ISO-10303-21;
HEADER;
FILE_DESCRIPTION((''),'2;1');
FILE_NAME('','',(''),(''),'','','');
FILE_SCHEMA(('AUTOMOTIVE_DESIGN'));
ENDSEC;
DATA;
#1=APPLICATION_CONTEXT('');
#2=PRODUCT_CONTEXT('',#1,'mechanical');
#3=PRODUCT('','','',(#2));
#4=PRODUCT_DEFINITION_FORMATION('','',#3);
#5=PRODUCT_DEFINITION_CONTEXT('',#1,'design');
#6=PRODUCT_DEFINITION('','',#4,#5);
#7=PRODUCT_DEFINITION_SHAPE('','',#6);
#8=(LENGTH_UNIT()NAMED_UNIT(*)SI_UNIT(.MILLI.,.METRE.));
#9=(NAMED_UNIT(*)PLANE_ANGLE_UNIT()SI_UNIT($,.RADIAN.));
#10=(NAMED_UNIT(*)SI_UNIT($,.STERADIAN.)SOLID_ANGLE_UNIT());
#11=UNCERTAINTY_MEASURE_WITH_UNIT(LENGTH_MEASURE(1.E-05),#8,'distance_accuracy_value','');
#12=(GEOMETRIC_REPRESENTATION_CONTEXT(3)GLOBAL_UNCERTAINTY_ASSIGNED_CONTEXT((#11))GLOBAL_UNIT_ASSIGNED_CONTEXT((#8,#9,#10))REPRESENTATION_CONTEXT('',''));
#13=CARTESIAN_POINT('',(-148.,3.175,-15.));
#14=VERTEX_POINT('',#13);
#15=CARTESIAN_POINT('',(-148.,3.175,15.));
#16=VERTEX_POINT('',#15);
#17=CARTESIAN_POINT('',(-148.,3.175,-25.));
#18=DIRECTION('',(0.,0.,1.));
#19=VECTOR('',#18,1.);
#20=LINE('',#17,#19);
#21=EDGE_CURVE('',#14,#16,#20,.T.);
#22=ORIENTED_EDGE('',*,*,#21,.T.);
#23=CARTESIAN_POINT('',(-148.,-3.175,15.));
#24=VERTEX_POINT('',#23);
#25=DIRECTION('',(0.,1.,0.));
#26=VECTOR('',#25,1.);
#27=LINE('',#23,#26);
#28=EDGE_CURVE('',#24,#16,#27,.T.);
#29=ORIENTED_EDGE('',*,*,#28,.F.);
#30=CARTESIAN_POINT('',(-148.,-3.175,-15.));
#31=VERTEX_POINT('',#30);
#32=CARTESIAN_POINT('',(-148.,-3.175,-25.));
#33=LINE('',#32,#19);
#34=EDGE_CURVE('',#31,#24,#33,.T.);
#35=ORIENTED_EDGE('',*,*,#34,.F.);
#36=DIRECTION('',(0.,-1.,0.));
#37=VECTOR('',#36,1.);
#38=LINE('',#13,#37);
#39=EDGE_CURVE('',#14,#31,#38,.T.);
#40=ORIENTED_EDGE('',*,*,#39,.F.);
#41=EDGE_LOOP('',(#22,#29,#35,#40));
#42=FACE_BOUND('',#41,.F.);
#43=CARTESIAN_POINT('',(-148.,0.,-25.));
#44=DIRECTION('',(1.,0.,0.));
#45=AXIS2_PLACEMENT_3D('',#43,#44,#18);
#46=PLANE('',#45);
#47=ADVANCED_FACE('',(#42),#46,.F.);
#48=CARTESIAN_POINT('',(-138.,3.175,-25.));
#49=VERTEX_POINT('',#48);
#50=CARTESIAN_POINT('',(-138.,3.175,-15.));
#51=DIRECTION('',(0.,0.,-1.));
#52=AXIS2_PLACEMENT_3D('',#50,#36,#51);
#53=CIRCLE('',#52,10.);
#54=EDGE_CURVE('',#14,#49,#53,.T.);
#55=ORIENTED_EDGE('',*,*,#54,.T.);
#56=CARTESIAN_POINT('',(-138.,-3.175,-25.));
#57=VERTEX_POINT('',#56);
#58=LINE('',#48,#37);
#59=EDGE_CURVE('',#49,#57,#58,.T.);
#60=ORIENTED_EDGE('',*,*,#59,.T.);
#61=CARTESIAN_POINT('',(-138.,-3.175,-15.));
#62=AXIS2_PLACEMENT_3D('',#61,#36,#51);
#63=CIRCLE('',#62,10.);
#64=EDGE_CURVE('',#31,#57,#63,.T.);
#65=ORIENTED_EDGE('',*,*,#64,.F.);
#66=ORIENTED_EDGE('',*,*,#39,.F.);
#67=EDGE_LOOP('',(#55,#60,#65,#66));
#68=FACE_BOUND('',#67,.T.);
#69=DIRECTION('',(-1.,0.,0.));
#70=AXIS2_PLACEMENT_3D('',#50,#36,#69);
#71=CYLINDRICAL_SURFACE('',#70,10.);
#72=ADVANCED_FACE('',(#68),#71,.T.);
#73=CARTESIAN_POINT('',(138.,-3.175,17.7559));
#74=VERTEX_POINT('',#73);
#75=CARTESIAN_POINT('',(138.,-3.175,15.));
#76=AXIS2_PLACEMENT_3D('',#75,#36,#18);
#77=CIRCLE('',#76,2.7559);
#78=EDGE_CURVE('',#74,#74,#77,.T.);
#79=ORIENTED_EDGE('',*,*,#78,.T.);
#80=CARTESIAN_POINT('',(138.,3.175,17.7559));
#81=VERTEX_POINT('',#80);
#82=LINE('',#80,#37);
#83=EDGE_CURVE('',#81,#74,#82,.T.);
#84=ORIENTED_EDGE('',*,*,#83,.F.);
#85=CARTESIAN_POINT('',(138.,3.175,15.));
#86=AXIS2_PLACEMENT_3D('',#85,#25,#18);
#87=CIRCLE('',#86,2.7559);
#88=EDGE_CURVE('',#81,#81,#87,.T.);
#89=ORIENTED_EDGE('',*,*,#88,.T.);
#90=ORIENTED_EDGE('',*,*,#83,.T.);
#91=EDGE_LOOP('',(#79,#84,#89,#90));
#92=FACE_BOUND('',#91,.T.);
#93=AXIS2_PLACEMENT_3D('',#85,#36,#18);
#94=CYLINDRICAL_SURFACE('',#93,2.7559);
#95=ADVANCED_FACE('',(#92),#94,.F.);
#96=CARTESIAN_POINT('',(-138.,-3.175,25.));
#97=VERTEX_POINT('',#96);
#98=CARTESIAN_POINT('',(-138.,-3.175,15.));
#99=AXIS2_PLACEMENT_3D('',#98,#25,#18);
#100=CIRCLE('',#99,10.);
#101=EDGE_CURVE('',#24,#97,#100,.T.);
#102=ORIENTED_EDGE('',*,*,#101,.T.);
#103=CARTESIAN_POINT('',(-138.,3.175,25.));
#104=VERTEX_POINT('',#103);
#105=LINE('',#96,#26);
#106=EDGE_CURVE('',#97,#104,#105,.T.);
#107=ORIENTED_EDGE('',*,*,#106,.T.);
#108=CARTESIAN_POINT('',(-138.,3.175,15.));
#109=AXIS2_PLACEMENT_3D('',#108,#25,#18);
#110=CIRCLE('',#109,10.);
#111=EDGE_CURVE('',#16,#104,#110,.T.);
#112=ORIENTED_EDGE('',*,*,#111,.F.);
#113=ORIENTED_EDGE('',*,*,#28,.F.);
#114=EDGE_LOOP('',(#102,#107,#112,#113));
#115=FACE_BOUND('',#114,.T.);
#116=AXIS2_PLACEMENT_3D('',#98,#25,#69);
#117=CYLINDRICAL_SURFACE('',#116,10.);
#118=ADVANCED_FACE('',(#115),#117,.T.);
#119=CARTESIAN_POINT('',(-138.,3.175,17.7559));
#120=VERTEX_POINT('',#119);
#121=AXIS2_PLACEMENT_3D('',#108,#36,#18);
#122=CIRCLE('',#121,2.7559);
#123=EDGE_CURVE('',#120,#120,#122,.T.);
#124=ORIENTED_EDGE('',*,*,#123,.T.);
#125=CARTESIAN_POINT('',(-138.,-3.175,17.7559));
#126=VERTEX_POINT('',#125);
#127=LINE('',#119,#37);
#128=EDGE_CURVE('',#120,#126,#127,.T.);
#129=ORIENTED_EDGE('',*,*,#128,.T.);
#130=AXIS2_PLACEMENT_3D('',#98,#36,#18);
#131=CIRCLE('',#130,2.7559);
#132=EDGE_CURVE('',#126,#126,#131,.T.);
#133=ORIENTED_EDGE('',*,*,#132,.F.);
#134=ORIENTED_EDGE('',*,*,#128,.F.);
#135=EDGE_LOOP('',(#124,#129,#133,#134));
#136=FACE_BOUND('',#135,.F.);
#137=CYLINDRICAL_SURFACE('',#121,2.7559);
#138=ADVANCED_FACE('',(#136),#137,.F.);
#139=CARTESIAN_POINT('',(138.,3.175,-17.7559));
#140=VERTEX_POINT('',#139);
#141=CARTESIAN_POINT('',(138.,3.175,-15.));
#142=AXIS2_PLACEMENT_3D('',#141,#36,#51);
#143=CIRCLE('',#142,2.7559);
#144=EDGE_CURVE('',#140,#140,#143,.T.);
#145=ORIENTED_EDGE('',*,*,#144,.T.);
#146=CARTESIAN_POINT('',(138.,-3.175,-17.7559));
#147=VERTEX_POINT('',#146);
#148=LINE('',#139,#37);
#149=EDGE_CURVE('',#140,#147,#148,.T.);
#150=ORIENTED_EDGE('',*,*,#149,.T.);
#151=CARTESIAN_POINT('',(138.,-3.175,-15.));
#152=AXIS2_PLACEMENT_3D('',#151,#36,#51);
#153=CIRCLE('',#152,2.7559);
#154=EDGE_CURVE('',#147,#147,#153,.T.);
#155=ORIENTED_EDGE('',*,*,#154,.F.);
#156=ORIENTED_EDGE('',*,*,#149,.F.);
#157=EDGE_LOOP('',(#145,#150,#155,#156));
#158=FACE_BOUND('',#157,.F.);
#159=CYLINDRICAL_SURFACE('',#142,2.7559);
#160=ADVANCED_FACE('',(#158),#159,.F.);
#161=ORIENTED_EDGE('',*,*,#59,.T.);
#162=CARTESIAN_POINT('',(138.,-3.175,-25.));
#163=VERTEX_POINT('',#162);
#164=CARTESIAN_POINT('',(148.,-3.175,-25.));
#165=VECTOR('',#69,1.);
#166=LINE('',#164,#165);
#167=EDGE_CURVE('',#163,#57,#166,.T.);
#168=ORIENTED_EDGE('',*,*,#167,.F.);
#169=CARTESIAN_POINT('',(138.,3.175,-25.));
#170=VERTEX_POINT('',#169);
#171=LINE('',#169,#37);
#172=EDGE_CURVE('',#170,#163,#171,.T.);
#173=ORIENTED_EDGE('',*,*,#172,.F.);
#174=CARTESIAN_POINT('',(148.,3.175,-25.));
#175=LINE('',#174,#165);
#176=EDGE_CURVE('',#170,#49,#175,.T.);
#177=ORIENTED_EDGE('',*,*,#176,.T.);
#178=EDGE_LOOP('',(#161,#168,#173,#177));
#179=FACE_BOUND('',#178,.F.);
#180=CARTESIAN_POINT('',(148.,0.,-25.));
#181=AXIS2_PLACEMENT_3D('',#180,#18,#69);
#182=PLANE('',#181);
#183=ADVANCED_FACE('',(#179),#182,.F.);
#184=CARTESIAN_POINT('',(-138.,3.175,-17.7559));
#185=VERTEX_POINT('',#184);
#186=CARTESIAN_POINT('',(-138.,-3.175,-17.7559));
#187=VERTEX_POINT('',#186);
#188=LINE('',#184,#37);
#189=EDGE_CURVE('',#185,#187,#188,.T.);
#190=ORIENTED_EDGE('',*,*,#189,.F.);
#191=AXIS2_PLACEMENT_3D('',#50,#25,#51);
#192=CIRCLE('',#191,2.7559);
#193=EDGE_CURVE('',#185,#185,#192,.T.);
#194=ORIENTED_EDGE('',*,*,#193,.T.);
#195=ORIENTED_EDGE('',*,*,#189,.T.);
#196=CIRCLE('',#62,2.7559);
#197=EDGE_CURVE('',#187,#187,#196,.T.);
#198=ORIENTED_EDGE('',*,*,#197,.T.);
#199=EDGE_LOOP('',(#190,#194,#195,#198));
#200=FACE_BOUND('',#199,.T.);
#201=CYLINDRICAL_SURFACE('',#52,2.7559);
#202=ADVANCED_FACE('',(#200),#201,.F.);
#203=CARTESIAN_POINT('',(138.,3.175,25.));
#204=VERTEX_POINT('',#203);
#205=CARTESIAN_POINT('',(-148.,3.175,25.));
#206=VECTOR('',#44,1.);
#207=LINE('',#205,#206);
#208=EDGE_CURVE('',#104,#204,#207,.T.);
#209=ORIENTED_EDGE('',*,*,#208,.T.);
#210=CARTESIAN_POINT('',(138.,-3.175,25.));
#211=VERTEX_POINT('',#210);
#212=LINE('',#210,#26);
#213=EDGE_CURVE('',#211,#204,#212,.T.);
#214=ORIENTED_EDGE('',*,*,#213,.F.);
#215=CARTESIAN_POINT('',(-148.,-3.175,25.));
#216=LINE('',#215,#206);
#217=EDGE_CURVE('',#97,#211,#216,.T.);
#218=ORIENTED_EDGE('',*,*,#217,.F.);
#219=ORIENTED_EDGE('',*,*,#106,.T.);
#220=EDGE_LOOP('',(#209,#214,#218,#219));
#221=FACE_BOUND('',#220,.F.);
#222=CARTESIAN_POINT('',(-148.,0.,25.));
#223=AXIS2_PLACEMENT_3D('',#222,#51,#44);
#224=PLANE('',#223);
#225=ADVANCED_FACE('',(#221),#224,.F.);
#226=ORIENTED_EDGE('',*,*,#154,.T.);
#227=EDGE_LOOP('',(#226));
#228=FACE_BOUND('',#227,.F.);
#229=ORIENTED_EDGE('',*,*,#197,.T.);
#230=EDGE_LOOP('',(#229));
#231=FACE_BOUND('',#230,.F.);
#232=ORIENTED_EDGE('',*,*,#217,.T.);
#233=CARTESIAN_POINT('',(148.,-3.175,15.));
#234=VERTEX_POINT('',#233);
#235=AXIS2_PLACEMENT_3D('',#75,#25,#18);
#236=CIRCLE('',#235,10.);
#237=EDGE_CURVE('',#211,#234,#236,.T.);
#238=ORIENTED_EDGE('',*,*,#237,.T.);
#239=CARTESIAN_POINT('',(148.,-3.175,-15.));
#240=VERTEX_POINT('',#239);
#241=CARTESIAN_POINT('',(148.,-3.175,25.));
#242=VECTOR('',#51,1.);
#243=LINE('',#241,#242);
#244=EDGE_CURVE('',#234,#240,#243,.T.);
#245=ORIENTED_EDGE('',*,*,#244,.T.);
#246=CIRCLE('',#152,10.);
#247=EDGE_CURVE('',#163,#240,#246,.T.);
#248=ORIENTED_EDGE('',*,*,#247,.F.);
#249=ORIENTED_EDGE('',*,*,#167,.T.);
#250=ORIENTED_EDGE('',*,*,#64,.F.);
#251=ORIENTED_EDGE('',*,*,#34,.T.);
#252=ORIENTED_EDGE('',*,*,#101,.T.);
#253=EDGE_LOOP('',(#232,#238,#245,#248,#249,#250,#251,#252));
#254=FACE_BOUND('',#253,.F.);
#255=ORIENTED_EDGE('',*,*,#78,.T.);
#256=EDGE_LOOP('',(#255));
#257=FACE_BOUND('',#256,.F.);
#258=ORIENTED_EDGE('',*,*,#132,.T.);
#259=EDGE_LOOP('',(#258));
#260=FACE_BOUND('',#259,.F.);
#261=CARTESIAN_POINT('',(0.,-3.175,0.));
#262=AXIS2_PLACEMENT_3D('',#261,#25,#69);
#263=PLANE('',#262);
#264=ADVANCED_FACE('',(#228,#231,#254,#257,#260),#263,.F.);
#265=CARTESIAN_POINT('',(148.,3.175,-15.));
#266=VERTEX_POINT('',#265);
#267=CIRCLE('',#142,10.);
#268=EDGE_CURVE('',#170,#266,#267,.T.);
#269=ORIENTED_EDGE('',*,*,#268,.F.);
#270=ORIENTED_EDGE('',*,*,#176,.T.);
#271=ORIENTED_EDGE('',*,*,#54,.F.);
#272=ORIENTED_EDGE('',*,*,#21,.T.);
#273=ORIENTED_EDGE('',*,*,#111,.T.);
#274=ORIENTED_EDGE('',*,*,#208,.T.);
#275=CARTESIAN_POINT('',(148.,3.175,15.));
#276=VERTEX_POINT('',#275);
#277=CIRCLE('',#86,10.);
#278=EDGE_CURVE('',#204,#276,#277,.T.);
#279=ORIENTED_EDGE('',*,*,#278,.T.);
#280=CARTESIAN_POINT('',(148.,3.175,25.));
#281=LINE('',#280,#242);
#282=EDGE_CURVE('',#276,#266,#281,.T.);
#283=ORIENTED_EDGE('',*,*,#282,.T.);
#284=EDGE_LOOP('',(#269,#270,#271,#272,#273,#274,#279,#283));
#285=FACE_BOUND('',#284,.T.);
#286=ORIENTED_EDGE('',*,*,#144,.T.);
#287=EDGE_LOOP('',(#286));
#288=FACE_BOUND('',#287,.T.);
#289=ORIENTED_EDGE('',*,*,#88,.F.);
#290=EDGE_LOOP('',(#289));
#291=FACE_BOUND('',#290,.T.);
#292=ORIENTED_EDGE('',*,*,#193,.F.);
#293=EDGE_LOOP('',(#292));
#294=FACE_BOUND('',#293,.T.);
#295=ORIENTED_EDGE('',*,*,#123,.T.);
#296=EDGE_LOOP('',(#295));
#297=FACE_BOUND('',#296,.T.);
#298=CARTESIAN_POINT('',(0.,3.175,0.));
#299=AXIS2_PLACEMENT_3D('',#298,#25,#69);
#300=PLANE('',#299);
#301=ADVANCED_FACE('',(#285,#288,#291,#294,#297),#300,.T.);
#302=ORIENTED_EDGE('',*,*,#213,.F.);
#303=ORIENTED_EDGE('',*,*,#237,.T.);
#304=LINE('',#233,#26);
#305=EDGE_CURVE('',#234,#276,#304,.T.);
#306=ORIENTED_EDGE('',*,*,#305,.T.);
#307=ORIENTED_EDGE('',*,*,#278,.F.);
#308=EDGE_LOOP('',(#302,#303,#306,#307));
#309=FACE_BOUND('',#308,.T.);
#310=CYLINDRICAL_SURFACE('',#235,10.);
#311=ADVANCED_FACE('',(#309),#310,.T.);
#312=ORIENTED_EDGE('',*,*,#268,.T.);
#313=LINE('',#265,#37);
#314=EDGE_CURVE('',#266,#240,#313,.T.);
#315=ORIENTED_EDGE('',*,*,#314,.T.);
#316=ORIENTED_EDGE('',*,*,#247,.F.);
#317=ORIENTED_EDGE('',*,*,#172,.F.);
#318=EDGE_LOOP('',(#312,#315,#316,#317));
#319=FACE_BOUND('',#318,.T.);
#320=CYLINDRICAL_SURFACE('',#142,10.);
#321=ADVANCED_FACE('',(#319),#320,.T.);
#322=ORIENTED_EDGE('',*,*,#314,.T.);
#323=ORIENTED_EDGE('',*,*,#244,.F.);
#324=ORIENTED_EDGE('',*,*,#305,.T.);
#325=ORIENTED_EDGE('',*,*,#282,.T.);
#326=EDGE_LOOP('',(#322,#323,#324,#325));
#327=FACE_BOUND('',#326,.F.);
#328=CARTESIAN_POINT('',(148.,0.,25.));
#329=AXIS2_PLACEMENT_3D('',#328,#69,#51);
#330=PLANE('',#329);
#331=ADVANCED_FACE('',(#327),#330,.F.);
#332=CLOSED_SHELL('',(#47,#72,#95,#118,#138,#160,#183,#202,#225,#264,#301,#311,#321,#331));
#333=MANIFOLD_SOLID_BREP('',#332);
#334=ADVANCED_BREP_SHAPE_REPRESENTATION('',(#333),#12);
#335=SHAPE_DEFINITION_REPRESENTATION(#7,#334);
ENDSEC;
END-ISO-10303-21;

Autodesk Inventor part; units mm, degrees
ref_plane "YZ Plane" through (0, 0, 0) normal (1, 0, 0) x (0, 1, 0)
ref_plane "XZ Plane" through (0, 0, 0) normal (0, 1, 0) x (-1, 0, 0)
ref_plane "XY Plane" through (0, 0, 0) normal (0, 0, 1) x (1, 0, 0)
sketch "Sketch1" plane through (0, 0, 0) normal (0, 1, 0) x (-1, 0, 0)
  line L0 (148, 25) -> (-148, 25)
  line L1 (-148, 25) -> (-148, -25)
  line L2 (-148, -25) -> (148, -25)
  line L3 (148, -25) -> (148, 25)
  line L4 (148, 25) -> (-148, -25) construction
  line L5 (-148, 25) -> (148, -25) construction
  point P0 (0, 0)
  dimension "d0" = 296
  dimension "d1" = 50
extrude "Extrusion1" add sketch "Sketch1" along normal mid plane 6.35
fillet "Fillet1" radius 10 4 edges at (-148, 0, 25) (-148, 0, -25) (148, 0, -25) (148, 0, 25)
sketch "Sketch2" plane through (0, 3.175, 0) normal (0, 1, 0) x (1, 0, 0)
  arc A0 (138, -25) -> (148, -15) centre (138, -15) ccw projected
  line L0 (138, 25) -> (-138, 25) projected
  arc A1 (-138, 25) -> (-148, 15) centre (-138, 15) ccw projected
  line L1 (-138, -25) -> (138, -25) projected
  line L2 (148, -15) -> (148, 15) projected
  arc A2 (148, 15) -> (138, 25) centre (138, 15) ccw projected
  line L3 (-148, 15) -> (-148, -15) projected
  arc A3 (-148, -15) -> (-138, -25) centre (-138, -15) ccw projected
  point P0 (0, 0)
  dimension "d6" = 10
  dimension "d14" = 10
hole "Hole1" at (-138, 3.175, 15) direction (0, -1, 0) diameter 5.5118 end through all clearance for "Socket Head Cap Screw" size "M5" standard "Ansi Metric M Profile"
mirror "Mirror1" about plane through (0, 0, 0) normal (0, 0, 1) of "Hole1"
mirror "Mirror2" about plane through (0, 0, 0) normal (1, 0, 0) of "Hole1", "Mirror1"
equation "\"d1\" = supportPlateWidth"
equation "\"d2\" = supportPlateThickness"
equation "\"d4\" = supportPlateFillet"
equation "\"supportPlateThickness\" = 6.35"
equation "\"supportPlateWidth\" = 50"
equation "\"plateFillet\" = 12.7"
equation "\"supportplateFillet\" = 12.7"
equation "\"separation\" = 35"
equation "\"centerVerticalRatio\" = 0.3"
equation "\"supportPlateFillet\" = 10"
properties part number "supportPlate" material "ABS Plastic"
